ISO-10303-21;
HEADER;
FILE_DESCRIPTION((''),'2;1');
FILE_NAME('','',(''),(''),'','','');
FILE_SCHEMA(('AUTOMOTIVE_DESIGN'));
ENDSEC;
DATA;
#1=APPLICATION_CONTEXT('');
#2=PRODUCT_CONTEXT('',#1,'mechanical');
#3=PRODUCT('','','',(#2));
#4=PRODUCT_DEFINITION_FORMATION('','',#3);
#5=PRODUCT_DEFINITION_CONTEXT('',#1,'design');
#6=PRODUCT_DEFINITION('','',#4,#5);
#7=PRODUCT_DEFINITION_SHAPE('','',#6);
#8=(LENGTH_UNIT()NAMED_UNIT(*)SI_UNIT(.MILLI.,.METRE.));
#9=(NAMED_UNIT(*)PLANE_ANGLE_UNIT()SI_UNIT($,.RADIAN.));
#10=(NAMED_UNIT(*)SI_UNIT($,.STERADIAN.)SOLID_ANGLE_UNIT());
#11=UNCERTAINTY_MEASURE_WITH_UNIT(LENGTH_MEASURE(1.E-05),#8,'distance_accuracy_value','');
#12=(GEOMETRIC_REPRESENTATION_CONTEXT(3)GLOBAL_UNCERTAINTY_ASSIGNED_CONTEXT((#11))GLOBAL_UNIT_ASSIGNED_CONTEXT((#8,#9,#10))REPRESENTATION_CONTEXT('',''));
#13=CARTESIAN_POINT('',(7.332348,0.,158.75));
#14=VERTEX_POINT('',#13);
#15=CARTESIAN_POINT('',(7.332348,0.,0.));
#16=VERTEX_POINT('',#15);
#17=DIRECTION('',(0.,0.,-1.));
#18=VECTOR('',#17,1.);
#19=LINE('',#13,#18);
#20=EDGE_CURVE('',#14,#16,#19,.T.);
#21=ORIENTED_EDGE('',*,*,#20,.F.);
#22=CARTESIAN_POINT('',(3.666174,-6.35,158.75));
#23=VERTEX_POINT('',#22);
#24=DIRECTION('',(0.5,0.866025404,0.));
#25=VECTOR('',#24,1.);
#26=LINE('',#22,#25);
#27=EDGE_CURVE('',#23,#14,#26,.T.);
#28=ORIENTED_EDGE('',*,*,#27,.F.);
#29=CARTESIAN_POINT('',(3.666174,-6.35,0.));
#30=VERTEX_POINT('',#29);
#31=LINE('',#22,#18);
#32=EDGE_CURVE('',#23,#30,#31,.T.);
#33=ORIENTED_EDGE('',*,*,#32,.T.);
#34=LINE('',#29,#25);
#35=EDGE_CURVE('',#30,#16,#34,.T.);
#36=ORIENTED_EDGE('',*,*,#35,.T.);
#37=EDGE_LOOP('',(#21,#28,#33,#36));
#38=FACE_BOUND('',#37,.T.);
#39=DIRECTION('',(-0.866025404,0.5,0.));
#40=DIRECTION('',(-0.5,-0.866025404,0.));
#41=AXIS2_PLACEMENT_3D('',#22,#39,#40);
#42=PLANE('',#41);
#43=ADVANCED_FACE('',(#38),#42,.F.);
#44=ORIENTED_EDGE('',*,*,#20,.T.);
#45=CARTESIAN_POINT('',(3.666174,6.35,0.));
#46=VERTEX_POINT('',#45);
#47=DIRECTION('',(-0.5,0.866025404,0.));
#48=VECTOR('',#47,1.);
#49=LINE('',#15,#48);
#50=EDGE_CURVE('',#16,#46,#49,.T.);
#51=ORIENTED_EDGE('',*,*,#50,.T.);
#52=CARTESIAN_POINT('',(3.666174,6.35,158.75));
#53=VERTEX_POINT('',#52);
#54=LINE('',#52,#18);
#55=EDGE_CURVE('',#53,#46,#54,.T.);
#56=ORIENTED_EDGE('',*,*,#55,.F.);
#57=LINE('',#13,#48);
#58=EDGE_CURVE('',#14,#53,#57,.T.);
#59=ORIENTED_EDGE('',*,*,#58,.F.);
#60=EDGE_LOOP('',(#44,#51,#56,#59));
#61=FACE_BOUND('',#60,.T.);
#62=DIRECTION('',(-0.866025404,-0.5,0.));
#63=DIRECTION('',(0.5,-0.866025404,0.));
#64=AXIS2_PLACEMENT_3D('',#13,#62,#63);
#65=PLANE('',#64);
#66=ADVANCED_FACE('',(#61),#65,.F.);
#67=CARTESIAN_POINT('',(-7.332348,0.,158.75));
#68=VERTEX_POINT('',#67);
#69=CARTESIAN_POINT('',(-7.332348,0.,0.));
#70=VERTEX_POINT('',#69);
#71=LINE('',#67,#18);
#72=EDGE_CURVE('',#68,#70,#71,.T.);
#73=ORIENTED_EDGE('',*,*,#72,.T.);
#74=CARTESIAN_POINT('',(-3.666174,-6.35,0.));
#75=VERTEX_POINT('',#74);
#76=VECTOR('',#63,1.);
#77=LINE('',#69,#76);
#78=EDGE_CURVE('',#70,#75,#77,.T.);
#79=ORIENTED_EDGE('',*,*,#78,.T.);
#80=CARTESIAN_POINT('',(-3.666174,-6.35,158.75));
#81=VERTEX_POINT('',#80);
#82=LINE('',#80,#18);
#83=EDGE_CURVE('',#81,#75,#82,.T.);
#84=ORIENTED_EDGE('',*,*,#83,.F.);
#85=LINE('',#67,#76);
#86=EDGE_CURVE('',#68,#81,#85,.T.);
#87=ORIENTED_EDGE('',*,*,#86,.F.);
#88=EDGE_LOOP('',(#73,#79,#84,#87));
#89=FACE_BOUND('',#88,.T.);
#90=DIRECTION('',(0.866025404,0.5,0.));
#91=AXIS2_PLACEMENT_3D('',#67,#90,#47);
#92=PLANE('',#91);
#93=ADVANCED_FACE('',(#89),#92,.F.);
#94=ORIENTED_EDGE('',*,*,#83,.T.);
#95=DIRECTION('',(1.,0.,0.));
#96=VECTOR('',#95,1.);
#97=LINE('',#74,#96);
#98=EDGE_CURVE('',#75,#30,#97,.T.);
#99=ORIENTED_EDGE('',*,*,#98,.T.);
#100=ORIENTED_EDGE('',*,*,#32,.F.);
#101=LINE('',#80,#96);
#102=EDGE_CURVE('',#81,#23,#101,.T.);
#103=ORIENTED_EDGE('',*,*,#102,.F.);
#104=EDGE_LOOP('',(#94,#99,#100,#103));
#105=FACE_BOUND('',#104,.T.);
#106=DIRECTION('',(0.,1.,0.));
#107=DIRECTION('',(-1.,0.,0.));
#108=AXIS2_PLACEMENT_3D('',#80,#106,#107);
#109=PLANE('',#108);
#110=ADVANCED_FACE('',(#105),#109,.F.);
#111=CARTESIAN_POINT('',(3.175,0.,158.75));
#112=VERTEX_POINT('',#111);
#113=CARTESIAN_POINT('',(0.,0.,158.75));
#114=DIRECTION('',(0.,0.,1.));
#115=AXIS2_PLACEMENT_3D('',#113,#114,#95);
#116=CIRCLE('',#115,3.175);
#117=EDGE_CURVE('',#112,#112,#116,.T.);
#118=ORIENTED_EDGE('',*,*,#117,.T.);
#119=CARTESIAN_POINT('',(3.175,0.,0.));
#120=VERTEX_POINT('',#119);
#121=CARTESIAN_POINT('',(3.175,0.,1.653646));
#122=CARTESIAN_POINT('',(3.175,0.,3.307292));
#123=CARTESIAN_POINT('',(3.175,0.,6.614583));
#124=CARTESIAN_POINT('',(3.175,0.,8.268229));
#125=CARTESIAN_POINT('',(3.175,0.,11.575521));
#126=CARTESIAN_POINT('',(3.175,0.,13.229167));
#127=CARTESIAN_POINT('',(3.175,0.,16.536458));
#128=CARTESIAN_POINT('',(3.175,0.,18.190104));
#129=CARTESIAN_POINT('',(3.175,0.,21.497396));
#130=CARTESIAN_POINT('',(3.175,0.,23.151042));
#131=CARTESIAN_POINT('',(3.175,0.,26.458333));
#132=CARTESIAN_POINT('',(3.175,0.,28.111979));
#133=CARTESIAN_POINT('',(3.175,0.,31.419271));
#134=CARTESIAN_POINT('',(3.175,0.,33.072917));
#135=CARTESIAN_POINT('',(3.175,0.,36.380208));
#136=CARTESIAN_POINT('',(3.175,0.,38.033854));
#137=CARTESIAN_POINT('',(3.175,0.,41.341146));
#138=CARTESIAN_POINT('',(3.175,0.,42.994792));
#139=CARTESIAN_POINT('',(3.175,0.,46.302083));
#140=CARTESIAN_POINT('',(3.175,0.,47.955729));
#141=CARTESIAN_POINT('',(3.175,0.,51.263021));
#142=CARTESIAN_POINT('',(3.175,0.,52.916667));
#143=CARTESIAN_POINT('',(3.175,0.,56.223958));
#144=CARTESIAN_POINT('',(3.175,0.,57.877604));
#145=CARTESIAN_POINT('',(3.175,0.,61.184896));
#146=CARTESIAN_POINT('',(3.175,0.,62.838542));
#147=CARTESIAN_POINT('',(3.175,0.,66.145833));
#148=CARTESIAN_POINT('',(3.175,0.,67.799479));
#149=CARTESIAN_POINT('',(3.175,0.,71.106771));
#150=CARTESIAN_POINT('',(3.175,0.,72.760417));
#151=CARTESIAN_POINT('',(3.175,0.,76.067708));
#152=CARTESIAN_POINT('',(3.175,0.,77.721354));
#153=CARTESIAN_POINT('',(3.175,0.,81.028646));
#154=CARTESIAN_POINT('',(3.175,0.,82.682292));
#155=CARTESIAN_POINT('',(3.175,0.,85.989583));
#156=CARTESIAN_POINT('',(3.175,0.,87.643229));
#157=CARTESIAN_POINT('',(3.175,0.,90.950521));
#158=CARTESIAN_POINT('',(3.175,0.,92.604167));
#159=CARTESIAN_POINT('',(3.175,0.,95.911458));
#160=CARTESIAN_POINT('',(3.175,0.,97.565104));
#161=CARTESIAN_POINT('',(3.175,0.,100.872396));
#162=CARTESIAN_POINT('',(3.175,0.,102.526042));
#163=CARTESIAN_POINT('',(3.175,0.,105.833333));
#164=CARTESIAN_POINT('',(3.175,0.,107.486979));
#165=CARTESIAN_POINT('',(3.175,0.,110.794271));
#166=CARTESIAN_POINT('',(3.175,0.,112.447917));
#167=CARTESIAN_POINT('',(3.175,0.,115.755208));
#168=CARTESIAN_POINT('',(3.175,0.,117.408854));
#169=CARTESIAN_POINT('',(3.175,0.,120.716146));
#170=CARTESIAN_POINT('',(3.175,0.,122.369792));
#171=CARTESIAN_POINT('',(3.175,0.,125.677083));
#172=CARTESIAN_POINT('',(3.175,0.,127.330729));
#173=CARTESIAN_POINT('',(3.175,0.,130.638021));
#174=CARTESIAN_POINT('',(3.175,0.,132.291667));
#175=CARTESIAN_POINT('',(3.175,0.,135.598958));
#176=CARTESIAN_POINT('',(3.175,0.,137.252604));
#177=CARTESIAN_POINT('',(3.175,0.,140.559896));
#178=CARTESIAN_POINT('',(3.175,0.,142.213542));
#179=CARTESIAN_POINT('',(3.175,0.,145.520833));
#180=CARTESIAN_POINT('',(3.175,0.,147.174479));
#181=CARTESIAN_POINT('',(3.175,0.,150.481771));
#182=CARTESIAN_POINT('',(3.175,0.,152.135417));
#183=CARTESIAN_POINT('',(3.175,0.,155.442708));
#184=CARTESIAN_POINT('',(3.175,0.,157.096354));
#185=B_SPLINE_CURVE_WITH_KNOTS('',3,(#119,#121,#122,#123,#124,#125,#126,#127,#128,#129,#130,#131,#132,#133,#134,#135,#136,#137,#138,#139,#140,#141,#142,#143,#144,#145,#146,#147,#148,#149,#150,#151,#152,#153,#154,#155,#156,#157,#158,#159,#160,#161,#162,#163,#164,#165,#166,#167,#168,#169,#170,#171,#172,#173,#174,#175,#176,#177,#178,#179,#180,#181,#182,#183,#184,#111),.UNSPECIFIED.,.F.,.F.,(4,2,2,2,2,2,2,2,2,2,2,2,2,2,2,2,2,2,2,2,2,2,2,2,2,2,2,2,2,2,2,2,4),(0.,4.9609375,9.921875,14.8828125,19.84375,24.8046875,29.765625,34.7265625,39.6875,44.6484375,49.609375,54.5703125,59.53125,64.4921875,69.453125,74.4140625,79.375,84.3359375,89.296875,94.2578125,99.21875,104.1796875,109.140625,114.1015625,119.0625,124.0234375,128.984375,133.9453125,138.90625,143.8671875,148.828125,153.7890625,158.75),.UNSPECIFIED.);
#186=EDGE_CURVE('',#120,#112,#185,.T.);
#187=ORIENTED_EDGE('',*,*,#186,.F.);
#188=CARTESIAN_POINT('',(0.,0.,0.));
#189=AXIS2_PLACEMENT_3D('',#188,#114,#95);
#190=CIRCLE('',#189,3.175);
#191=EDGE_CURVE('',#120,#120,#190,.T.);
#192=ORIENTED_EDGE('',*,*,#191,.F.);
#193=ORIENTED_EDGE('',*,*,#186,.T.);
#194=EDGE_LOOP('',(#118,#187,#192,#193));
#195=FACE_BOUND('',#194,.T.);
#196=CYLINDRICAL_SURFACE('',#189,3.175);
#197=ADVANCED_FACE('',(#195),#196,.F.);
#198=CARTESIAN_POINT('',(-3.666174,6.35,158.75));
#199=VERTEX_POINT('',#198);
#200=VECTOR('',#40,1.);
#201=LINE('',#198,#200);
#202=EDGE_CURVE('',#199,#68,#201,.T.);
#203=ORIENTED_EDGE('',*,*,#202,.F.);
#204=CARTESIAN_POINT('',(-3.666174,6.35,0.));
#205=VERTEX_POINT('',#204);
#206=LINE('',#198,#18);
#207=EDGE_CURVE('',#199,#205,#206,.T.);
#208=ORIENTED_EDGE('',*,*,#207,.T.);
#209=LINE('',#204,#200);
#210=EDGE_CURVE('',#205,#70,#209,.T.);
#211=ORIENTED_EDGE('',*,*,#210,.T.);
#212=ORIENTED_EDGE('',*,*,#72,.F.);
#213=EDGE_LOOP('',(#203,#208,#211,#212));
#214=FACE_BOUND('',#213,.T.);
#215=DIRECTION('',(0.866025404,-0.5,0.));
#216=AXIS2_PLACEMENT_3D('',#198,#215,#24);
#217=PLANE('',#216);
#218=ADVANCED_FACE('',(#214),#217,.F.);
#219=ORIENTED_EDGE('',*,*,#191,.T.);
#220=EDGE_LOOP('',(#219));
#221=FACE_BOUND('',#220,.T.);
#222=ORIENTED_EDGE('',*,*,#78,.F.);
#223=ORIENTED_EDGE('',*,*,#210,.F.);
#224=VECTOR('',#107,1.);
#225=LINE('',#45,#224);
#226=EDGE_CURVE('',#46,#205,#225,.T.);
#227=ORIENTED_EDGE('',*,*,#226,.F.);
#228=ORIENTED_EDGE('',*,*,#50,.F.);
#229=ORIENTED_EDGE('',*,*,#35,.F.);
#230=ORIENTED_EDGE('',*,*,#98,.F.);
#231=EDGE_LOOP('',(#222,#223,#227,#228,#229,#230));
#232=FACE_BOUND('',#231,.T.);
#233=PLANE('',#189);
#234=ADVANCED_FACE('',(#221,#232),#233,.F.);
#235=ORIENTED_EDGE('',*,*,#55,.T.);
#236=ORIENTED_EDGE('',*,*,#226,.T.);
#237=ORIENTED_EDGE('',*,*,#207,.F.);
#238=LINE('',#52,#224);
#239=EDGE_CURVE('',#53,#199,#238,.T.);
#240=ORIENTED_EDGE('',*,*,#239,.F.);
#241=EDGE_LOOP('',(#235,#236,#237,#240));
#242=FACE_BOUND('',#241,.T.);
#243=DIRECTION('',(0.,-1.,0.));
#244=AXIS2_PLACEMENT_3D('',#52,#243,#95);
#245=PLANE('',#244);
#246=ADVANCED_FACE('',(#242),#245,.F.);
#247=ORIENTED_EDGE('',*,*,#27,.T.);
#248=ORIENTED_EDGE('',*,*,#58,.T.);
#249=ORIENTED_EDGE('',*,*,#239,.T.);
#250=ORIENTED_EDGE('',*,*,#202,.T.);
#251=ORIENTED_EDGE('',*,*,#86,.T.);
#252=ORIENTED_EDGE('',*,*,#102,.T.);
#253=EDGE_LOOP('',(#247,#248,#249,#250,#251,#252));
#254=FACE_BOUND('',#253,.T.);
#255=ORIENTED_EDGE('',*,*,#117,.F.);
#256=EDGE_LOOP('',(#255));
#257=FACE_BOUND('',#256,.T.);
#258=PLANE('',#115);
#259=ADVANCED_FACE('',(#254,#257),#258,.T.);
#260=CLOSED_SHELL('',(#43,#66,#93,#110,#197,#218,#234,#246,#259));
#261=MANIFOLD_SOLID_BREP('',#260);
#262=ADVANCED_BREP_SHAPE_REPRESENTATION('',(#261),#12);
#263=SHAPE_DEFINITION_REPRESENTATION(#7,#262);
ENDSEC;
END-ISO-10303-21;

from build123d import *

# Parameters (mm, degrees)
BOSS_EXTRUDE1_DEPTH     = 158.75
CUT_EXTRUDE1_DEPTH      = 160.046057271
CUT_EXTRUDE1_DEPTH_BACK = 160.046057271
SKETCH2_R               = 3.175


with BuildPart() as part:
    # Sketch1 → Boss-Extrude1 (new body)
    with BuildSketch(Plane.XY):
        Polygon((7.332348419, 0), (3.666174209, 6.35), (-3.666174209, 6.35), (-7.332348419, 0), (-3.666174209, -6.35), (3.666174209, -6.35), align=None)
    extrude(amount=BOSS_EXTRUDE1_DEPTH)

    # Sketch2 → Cut-Extrude1 (cut, two sides: drawn at the far end of the back side and taken through both)
    with BuildSketch(Plane.XY.offset(158.75).offset(-CUT_EXTRUDE1_DEPTH_BACK)):
        Circle(SKETCH2_R)
    extrude(amount=CUT_EXTRUDE1_DEPTH + CUT_EXTRUDE1_DEPTH_BACK, mode=Mode.SUBTRACT)


solid = part.part
